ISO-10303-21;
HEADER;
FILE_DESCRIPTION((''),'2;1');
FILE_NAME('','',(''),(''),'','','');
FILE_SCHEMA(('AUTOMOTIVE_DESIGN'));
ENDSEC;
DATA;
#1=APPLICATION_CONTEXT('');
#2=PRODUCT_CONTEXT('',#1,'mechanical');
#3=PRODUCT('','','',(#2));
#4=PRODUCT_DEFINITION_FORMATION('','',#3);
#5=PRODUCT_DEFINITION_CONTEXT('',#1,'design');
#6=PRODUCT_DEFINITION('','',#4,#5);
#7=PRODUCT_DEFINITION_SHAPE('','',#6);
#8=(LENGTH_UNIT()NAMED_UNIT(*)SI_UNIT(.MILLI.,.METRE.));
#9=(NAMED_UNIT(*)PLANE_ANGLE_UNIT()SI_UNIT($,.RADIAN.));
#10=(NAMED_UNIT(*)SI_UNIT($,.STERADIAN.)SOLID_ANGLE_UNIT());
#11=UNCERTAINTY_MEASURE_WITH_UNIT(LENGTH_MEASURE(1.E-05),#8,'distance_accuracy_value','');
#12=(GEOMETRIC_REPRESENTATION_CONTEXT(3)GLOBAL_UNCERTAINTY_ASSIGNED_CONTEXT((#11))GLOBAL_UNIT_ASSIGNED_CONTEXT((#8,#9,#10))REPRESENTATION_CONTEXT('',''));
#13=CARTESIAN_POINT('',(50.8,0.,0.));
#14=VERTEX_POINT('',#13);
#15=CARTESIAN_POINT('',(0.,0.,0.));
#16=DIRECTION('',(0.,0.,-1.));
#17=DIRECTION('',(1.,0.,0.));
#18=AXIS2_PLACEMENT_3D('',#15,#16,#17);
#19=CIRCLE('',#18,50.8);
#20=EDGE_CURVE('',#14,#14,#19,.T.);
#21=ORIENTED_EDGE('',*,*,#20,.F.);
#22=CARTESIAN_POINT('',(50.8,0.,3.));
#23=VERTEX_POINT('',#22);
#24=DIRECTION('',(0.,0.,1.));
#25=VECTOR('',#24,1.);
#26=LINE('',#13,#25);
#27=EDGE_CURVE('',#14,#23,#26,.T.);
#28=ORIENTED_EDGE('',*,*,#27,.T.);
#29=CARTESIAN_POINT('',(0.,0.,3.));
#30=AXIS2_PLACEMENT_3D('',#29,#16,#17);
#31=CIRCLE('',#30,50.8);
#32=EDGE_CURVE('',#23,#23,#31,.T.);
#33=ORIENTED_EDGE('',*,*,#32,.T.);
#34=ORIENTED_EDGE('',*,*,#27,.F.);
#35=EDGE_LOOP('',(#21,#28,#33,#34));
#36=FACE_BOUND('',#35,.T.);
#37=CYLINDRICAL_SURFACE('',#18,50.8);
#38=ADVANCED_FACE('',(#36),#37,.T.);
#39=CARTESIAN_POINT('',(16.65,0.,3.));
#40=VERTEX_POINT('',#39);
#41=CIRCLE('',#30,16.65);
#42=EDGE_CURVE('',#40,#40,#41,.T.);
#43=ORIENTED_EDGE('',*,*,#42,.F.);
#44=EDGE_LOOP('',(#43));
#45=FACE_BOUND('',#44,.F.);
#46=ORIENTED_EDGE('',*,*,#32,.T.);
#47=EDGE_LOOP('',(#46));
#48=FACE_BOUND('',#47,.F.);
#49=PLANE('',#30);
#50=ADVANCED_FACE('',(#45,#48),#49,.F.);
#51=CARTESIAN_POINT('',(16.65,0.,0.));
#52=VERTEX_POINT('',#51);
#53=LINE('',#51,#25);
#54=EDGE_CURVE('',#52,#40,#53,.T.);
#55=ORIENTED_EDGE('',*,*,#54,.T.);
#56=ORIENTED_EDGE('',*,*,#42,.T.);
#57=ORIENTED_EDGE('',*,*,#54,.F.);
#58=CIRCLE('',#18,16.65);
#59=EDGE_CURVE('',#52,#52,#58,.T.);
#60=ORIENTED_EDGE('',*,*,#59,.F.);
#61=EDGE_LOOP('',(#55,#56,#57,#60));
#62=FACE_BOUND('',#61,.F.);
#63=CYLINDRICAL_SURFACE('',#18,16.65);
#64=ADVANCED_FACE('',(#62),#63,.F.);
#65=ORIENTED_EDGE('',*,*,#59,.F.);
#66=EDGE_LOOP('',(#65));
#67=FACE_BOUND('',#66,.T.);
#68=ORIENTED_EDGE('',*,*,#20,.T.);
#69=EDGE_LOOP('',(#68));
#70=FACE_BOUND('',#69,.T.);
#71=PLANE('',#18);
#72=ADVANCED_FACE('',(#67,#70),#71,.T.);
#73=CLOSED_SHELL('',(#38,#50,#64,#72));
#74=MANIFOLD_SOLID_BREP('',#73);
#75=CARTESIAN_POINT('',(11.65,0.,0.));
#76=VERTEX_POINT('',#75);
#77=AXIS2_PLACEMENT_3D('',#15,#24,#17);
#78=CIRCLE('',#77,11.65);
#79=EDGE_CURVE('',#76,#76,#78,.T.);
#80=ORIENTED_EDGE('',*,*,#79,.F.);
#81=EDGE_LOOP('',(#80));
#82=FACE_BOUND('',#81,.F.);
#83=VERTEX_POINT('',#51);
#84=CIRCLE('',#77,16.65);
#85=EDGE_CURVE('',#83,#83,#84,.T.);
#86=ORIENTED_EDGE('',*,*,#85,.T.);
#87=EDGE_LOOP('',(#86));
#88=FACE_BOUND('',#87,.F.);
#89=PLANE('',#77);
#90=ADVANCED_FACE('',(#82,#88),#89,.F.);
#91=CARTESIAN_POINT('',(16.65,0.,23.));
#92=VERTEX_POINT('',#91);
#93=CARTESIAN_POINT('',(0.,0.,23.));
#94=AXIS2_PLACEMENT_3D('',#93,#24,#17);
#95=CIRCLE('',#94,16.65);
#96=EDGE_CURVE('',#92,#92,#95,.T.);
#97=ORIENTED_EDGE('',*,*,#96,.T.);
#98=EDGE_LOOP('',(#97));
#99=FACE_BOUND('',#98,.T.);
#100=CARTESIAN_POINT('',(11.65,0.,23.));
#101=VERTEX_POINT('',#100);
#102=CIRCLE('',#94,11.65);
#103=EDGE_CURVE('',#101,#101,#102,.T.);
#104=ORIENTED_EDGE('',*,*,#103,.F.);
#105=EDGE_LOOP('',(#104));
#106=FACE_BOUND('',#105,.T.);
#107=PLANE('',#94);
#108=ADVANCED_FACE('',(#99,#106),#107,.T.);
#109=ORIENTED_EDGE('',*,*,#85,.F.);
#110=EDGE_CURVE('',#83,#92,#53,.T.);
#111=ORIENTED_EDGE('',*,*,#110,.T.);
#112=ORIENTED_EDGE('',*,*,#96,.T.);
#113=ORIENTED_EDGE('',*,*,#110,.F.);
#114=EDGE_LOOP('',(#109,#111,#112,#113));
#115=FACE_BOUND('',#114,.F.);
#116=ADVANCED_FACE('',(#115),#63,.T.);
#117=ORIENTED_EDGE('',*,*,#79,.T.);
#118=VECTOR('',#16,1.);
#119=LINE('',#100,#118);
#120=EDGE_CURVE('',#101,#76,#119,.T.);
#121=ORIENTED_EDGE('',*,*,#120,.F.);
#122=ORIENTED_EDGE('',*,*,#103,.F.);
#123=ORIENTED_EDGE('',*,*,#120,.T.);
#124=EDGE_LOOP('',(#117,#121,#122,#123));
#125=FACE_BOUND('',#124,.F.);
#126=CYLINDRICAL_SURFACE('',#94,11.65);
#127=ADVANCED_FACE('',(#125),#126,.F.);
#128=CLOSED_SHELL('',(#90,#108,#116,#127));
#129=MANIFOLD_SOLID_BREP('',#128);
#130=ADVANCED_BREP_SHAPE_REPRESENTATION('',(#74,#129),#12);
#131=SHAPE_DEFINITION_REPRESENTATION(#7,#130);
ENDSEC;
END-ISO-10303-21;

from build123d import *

# Parameters (mm, degrees)
F0_R     = 16.65
F1_DEPTH = 23
F2_R     = 50.8
F2_R_2   = 16.65
F3_DEPTH = 3
F4_R     = 11.65
F5_DEPTH = 40


with BuildPart() as f1:
    # F0 (on Top) → F1 (new body)
    with BuildSketch(Plane.XY):
        Circle(F0_R)
    extrude(amount=F1_DEPTH)

    # F4 (on face) → F5 (cut)
    with BuildSketch(Plane.XY.offset(23)):
        Circle(F4_R)
    extrude(amount=-F5_DEPTH, mode=Mode.SUBTRACT)


with BuildPart() as f3:
    # F2 (on face) → F3 (new body)
    with BuildSketch(Plane(origin=(0, 0, 0), x_dir=(1, 0, 0), z_dir=(0, 0, -1))):
        Circle(F2_R)
        Circle(F2_R_2, mode=Mode.SUBTRACT)
    extrude(amount=-F3_DEPTH)


solid = Compound([f1.part, f3.part])
